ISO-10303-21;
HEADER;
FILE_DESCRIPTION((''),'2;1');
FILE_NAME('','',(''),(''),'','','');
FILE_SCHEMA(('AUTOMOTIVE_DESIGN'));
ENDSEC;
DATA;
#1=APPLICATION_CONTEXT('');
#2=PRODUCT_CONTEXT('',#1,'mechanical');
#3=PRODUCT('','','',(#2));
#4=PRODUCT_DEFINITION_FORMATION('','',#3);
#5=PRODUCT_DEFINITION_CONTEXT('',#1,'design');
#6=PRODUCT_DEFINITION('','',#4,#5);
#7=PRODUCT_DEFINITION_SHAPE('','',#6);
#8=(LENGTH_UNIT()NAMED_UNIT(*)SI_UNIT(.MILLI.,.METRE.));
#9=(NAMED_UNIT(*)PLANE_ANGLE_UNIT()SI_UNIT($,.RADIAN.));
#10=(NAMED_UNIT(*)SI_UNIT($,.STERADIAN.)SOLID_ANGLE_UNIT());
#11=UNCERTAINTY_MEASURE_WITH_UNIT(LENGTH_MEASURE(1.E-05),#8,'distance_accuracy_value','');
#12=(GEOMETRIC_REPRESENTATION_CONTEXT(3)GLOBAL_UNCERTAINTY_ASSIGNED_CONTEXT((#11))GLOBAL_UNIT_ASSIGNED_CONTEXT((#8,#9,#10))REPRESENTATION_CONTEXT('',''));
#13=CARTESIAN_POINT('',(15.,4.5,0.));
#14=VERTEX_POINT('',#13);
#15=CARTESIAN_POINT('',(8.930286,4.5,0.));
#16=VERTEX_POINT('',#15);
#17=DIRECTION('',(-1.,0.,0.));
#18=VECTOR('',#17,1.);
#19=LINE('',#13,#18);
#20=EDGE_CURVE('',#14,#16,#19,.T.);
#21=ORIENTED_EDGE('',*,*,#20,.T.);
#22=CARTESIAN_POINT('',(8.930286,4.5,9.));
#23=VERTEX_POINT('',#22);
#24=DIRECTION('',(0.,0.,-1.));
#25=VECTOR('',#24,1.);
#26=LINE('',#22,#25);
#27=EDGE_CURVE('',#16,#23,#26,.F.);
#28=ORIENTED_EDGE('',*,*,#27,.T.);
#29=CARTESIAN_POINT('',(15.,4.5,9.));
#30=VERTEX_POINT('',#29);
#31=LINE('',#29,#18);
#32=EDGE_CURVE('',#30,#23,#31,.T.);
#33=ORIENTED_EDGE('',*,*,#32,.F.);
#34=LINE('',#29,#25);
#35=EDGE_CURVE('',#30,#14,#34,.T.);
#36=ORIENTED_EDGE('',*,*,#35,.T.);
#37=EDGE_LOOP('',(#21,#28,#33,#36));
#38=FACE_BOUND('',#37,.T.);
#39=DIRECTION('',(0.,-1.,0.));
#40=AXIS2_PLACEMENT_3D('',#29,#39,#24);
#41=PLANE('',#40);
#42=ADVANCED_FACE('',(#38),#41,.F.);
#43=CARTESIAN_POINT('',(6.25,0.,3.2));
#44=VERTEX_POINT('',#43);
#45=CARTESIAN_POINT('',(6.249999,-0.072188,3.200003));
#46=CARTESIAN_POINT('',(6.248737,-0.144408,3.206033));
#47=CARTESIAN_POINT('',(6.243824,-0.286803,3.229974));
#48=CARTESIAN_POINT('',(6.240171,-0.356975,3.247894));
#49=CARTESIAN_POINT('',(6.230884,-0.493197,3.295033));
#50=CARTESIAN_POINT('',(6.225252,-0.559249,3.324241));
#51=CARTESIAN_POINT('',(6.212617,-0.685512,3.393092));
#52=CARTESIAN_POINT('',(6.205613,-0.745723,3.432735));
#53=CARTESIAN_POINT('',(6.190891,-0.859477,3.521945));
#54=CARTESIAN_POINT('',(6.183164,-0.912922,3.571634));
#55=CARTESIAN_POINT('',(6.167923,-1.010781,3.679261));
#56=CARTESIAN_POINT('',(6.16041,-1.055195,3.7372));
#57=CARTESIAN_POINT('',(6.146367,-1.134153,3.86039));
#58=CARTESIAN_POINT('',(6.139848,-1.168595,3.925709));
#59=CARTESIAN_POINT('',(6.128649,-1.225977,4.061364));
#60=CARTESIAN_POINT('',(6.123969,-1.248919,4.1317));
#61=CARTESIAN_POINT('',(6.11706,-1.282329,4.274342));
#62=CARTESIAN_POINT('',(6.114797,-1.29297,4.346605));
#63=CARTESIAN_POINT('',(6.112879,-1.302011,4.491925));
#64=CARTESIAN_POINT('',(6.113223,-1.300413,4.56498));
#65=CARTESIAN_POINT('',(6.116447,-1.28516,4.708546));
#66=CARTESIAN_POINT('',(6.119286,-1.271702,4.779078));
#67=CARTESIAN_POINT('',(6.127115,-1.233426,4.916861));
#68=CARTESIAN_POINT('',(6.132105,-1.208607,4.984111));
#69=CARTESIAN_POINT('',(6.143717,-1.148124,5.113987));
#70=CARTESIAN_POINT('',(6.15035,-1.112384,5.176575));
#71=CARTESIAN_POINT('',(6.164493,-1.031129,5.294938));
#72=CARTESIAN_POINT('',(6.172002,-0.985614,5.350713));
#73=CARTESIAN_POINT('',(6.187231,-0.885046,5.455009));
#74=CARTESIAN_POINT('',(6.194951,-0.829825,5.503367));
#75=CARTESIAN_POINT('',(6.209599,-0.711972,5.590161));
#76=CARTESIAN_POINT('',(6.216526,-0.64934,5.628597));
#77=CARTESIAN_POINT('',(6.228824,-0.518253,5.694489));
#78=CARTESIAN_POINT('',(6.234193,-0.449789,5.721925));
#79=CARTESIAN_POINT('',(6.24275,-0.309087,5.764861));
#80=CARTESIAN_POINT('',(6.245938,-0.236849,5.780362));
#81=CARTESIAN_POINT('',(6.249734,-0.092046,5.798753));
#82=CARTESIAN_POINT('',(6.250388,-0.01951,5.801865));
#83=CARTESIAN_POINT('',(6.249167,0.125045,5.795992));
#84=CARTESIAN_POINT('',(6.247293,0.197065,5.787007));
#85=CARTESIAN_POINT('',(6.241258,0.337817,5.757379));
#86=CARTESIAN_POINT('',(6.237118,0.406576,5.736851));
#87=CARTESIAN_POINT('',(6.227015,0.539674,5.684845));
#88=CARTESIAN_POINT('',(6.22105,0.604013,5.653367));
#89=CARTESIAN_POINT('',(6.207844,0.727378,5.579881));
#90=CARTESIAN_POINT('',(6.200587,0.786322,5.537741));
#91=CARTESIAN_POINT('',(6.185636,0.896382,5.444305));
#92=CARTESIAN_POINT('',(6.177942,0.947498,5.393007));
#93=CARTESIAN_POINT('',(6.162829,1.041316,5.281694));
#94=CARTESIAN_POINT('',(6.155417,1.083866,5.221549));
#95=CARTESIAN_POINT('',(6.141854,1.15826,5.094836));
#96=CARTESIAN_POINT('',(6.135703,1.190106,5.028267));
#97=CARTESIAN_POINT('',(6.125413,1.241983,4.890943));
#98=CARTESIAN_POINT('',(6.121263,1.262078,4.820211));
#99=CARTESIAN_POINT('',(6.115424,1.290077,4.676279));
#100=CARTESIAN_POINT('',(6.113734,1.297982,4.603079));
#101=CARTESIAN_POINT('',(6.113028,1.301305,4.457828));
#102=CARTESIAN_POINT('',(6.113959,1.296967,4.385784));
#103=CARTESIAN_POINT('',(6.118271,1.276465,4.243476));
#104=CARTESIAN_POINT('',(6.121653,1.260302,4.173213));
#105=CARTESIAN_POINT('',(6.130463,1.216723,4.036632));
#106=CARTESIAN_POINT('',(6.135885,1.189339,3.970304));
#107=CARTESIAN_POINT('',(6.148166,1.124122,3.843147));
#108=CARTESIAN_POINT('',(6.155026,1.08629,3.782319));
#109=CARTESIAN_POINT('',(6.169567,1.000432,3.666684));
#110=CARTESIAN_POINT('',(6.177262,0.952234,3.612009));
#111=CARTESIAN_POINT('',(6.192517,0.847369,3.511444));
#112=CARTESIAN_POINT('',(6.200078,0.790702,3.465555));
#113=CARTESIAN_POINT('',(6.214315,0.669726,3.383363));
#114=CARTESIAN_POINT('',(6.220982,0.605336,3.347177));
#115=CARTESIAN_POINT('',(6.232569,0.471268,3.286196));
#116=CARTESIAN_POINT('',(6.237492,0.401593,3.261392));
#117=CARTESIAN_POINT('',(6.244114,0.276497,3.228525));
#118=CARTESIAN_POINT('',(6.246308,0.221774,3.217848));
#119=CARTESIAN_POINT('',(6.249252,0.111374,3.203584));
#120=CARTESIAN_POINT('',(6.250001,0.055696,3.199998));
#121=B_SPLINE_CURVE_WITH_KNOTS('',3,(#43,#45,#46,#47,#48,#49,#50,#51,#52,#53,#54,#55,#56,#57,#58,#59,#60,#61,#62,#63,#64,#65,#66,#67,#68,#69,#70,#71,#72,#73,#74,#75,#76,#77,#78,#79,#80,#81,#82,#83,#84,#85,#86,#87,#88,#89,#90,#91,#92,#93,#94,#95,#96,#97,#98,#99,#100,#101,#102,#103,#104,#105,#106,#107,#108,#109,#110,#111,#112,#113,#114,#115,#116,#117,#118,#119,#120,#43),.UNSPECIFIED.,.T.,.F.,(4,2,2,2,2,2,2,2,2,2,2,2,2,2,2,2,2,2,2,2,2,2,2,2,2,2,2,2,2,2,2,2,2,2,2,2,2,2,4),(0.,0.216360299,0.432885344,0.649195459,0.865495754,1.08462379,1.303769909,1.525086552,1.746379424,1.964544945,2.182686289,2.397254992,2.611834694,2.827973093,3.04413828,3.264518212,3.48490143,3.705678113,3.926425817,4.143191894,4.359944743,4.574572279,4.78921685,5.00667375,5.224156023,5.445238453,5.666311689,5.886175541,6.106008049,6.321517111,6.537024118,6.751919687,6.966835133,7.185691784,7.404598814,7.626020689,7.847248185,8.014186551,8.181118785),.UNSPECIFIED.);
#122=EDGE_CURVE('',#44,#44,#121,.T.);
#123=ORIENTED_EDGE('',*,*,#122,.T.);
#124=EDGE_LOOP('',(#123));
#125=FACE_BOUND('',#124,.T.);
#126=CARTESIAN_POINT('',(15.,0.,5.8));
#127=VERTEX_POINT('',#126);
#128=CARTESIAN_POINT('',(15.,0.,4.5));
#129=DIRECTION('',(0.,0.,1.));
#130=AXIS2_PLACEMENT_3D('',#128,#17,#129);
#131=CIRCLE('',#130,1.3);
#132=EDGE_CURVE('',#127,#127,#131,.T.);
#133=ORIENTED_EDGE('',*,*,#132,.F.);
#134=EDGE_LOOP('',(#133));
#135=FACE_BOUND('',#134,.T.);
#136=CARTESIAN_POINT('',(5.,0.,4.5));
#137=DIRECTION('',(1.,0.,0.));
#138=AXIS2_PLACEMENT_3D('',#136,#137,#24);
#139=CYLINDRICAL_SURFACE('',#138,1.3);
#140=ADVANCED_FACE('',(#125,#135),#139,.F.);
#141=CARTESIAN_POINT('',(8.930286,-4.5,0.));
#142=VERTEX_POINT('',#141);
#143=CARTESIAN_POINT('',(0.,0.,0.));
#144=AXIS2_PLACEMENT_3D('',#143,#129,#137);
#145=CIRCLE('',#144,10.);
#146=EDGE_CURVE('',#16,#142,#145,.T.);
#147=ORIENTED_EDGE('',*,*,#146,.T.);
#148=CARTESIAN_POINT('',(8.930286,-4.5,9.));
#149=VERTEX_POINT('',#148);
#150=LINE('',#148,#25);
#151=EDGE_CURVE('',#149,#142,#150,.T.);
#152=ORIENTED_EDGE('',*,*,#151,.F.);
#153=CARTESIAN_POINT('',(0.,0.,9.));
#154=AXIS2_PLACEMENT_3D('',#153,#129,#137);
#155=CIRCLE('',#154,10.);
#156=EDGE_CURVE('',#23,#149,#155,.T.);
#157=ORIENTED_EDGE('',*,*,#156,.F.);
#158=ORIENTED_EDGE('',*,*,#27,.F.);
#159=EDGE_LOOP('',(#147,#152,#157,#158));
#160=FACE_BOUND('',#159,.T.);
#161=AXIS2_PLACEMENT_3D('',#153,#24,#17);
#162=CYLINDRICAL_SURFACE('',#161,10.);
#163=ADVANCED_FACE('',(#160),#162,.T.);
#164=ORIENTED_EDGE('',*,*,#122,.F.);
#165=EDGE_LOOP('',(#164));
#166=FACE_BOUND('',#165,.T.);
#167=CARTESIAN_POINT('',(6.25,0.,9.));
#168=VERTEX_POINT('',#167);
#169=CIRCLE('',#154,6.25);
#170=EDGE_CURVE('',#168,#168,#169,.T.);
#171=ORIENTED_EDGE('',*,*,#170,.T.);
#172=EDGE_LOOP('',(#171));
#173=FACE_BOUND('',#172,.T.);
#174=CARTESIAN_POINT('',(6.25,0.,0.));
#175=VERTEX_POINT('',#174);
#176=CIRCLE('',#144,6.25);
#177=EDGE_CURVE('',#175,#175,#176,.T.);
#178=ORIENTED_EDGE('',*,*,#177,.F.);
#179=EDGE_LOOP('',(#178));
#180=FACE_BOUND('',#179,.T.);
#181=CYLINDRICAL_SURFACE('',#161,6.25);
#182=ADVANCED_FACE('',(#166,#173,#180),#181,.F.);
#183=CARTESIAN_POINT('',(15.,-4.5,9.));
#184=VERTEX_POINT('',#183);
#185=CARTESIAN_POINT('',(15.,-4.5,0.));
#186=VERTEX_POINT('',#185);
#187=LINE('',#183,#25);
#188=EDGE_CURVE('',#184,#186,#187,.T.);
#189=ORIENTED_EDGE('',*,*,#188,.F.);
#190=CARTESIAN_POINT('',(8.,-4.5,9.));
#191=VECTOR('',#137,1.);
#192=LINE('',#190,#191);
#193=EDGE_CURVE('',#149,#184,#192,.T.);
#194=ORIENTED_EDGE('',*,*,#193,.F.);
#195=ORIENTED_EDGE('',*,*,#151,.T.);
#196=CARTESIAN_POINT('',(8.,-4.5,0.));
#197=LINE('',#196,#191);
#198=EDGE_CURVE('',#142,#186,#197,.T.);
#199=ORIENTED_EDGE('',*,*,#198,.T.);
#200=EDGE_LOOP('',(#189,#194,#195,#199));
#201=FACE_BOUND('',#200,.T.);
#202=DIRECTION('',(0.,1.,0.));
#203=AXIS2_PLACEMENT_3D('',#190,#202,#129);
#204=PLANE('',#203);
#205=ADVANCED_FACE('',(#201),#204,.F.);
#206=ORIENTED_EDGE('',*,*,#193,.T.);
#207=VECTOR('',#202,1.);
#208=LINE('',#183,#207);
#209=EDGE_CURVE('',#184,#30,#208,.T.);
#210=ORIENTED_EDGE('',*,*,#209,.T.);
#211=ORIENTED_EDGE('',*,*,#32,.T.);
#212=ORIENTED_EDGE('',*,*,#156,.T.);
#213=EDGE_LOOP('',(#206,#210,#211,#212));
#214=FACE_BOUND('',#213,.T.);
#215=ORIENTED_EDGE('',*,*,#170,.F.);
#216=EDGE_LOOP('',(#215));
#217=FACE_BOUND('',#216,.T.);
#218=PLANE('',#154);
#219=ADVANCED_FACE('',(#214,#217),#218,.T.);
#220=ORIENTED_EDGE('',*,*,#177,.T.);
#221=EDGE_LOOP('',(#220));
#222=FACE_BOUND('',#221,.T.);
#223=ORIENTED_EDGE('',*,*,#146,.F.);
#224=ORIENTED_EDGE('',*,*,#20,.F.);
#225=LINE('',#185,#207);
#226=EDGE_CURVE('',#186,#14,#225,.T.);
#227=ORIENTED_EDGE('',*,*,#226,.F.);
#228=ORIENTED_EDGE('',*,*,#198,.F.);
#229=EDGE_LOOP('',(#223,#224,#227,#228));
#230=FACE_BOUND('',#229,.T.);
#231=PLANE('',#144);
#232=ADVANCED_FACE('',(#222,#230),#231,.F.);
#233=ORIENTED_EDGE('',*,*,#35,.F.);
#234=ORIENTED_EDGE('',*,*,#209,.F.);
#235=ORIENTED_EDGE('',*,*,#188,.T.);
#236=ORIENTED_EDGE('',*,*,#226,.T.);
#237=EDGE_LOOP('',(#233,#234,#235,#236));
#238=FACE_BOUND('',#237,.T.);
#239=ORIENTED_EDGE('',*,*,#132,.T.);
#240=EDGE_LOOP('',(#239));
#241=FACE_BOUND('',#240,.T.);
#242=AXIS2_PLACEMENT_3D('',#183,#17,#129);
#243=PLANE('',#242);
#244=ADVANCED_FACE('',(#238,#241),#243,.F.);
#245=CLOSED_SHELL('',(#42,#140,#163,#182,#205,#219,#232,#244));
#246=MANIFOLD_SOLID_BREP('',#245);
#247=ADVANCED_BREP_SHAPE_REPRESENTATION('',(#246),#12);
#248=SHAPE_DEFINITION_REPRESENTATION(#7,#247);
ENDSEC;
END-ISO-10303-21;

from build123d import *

# Parameters (mm, degrees)
SKETCH1_R                 = 10
SKETCH1_R_2               = 6.25
COLLAR_RING_DEPTH         = 9
SKETCH2_W                 = 7
SKETCH2_H                 = 9
SCREW_BOSS_DEPTH          = 9
SKETCH3_R                 = 1.3
M3_THUMB_SCREW_HOLE_DEPTH = 5.5


with BuildPart() as part:
    # Sketch1 → Collar_ring (new body)
    with BuildSketch(Plane.XY):
        Circle(SKETCH1_R)
        Circle(SKETCH1_R_2, mode=Mode.SUBTRACT)
    extrude(amount=COLLAR_RING_DEPTH)

    # Sketch2 → Screw_boss (add)
    with BuildSketch(Plane.XY):
        with Locations((11.5, 0)):
            Rectangle(SKETCH2_W, SKETCH2_H)
    extrude(amount=SCREW_BOSS_DEPTH)

    # Sketch3 → M3_thumb_screw_hole (cut, symmetric)
    with BuildSketch(Plane(origin=(10.5, 0, 0), x_dir=(0, 0, -1), z_dir=(1, 0, 0))):
        with Locations(Location((-4.5, 0, 0), (0, 0, 180))):
            Circle(SKETCH3_R)
    extrude(amount=M3_THUMB_SCREW_HOLE_DEPTH, both=True, mode=Mode.SUBTRACT)


solid = part.part
